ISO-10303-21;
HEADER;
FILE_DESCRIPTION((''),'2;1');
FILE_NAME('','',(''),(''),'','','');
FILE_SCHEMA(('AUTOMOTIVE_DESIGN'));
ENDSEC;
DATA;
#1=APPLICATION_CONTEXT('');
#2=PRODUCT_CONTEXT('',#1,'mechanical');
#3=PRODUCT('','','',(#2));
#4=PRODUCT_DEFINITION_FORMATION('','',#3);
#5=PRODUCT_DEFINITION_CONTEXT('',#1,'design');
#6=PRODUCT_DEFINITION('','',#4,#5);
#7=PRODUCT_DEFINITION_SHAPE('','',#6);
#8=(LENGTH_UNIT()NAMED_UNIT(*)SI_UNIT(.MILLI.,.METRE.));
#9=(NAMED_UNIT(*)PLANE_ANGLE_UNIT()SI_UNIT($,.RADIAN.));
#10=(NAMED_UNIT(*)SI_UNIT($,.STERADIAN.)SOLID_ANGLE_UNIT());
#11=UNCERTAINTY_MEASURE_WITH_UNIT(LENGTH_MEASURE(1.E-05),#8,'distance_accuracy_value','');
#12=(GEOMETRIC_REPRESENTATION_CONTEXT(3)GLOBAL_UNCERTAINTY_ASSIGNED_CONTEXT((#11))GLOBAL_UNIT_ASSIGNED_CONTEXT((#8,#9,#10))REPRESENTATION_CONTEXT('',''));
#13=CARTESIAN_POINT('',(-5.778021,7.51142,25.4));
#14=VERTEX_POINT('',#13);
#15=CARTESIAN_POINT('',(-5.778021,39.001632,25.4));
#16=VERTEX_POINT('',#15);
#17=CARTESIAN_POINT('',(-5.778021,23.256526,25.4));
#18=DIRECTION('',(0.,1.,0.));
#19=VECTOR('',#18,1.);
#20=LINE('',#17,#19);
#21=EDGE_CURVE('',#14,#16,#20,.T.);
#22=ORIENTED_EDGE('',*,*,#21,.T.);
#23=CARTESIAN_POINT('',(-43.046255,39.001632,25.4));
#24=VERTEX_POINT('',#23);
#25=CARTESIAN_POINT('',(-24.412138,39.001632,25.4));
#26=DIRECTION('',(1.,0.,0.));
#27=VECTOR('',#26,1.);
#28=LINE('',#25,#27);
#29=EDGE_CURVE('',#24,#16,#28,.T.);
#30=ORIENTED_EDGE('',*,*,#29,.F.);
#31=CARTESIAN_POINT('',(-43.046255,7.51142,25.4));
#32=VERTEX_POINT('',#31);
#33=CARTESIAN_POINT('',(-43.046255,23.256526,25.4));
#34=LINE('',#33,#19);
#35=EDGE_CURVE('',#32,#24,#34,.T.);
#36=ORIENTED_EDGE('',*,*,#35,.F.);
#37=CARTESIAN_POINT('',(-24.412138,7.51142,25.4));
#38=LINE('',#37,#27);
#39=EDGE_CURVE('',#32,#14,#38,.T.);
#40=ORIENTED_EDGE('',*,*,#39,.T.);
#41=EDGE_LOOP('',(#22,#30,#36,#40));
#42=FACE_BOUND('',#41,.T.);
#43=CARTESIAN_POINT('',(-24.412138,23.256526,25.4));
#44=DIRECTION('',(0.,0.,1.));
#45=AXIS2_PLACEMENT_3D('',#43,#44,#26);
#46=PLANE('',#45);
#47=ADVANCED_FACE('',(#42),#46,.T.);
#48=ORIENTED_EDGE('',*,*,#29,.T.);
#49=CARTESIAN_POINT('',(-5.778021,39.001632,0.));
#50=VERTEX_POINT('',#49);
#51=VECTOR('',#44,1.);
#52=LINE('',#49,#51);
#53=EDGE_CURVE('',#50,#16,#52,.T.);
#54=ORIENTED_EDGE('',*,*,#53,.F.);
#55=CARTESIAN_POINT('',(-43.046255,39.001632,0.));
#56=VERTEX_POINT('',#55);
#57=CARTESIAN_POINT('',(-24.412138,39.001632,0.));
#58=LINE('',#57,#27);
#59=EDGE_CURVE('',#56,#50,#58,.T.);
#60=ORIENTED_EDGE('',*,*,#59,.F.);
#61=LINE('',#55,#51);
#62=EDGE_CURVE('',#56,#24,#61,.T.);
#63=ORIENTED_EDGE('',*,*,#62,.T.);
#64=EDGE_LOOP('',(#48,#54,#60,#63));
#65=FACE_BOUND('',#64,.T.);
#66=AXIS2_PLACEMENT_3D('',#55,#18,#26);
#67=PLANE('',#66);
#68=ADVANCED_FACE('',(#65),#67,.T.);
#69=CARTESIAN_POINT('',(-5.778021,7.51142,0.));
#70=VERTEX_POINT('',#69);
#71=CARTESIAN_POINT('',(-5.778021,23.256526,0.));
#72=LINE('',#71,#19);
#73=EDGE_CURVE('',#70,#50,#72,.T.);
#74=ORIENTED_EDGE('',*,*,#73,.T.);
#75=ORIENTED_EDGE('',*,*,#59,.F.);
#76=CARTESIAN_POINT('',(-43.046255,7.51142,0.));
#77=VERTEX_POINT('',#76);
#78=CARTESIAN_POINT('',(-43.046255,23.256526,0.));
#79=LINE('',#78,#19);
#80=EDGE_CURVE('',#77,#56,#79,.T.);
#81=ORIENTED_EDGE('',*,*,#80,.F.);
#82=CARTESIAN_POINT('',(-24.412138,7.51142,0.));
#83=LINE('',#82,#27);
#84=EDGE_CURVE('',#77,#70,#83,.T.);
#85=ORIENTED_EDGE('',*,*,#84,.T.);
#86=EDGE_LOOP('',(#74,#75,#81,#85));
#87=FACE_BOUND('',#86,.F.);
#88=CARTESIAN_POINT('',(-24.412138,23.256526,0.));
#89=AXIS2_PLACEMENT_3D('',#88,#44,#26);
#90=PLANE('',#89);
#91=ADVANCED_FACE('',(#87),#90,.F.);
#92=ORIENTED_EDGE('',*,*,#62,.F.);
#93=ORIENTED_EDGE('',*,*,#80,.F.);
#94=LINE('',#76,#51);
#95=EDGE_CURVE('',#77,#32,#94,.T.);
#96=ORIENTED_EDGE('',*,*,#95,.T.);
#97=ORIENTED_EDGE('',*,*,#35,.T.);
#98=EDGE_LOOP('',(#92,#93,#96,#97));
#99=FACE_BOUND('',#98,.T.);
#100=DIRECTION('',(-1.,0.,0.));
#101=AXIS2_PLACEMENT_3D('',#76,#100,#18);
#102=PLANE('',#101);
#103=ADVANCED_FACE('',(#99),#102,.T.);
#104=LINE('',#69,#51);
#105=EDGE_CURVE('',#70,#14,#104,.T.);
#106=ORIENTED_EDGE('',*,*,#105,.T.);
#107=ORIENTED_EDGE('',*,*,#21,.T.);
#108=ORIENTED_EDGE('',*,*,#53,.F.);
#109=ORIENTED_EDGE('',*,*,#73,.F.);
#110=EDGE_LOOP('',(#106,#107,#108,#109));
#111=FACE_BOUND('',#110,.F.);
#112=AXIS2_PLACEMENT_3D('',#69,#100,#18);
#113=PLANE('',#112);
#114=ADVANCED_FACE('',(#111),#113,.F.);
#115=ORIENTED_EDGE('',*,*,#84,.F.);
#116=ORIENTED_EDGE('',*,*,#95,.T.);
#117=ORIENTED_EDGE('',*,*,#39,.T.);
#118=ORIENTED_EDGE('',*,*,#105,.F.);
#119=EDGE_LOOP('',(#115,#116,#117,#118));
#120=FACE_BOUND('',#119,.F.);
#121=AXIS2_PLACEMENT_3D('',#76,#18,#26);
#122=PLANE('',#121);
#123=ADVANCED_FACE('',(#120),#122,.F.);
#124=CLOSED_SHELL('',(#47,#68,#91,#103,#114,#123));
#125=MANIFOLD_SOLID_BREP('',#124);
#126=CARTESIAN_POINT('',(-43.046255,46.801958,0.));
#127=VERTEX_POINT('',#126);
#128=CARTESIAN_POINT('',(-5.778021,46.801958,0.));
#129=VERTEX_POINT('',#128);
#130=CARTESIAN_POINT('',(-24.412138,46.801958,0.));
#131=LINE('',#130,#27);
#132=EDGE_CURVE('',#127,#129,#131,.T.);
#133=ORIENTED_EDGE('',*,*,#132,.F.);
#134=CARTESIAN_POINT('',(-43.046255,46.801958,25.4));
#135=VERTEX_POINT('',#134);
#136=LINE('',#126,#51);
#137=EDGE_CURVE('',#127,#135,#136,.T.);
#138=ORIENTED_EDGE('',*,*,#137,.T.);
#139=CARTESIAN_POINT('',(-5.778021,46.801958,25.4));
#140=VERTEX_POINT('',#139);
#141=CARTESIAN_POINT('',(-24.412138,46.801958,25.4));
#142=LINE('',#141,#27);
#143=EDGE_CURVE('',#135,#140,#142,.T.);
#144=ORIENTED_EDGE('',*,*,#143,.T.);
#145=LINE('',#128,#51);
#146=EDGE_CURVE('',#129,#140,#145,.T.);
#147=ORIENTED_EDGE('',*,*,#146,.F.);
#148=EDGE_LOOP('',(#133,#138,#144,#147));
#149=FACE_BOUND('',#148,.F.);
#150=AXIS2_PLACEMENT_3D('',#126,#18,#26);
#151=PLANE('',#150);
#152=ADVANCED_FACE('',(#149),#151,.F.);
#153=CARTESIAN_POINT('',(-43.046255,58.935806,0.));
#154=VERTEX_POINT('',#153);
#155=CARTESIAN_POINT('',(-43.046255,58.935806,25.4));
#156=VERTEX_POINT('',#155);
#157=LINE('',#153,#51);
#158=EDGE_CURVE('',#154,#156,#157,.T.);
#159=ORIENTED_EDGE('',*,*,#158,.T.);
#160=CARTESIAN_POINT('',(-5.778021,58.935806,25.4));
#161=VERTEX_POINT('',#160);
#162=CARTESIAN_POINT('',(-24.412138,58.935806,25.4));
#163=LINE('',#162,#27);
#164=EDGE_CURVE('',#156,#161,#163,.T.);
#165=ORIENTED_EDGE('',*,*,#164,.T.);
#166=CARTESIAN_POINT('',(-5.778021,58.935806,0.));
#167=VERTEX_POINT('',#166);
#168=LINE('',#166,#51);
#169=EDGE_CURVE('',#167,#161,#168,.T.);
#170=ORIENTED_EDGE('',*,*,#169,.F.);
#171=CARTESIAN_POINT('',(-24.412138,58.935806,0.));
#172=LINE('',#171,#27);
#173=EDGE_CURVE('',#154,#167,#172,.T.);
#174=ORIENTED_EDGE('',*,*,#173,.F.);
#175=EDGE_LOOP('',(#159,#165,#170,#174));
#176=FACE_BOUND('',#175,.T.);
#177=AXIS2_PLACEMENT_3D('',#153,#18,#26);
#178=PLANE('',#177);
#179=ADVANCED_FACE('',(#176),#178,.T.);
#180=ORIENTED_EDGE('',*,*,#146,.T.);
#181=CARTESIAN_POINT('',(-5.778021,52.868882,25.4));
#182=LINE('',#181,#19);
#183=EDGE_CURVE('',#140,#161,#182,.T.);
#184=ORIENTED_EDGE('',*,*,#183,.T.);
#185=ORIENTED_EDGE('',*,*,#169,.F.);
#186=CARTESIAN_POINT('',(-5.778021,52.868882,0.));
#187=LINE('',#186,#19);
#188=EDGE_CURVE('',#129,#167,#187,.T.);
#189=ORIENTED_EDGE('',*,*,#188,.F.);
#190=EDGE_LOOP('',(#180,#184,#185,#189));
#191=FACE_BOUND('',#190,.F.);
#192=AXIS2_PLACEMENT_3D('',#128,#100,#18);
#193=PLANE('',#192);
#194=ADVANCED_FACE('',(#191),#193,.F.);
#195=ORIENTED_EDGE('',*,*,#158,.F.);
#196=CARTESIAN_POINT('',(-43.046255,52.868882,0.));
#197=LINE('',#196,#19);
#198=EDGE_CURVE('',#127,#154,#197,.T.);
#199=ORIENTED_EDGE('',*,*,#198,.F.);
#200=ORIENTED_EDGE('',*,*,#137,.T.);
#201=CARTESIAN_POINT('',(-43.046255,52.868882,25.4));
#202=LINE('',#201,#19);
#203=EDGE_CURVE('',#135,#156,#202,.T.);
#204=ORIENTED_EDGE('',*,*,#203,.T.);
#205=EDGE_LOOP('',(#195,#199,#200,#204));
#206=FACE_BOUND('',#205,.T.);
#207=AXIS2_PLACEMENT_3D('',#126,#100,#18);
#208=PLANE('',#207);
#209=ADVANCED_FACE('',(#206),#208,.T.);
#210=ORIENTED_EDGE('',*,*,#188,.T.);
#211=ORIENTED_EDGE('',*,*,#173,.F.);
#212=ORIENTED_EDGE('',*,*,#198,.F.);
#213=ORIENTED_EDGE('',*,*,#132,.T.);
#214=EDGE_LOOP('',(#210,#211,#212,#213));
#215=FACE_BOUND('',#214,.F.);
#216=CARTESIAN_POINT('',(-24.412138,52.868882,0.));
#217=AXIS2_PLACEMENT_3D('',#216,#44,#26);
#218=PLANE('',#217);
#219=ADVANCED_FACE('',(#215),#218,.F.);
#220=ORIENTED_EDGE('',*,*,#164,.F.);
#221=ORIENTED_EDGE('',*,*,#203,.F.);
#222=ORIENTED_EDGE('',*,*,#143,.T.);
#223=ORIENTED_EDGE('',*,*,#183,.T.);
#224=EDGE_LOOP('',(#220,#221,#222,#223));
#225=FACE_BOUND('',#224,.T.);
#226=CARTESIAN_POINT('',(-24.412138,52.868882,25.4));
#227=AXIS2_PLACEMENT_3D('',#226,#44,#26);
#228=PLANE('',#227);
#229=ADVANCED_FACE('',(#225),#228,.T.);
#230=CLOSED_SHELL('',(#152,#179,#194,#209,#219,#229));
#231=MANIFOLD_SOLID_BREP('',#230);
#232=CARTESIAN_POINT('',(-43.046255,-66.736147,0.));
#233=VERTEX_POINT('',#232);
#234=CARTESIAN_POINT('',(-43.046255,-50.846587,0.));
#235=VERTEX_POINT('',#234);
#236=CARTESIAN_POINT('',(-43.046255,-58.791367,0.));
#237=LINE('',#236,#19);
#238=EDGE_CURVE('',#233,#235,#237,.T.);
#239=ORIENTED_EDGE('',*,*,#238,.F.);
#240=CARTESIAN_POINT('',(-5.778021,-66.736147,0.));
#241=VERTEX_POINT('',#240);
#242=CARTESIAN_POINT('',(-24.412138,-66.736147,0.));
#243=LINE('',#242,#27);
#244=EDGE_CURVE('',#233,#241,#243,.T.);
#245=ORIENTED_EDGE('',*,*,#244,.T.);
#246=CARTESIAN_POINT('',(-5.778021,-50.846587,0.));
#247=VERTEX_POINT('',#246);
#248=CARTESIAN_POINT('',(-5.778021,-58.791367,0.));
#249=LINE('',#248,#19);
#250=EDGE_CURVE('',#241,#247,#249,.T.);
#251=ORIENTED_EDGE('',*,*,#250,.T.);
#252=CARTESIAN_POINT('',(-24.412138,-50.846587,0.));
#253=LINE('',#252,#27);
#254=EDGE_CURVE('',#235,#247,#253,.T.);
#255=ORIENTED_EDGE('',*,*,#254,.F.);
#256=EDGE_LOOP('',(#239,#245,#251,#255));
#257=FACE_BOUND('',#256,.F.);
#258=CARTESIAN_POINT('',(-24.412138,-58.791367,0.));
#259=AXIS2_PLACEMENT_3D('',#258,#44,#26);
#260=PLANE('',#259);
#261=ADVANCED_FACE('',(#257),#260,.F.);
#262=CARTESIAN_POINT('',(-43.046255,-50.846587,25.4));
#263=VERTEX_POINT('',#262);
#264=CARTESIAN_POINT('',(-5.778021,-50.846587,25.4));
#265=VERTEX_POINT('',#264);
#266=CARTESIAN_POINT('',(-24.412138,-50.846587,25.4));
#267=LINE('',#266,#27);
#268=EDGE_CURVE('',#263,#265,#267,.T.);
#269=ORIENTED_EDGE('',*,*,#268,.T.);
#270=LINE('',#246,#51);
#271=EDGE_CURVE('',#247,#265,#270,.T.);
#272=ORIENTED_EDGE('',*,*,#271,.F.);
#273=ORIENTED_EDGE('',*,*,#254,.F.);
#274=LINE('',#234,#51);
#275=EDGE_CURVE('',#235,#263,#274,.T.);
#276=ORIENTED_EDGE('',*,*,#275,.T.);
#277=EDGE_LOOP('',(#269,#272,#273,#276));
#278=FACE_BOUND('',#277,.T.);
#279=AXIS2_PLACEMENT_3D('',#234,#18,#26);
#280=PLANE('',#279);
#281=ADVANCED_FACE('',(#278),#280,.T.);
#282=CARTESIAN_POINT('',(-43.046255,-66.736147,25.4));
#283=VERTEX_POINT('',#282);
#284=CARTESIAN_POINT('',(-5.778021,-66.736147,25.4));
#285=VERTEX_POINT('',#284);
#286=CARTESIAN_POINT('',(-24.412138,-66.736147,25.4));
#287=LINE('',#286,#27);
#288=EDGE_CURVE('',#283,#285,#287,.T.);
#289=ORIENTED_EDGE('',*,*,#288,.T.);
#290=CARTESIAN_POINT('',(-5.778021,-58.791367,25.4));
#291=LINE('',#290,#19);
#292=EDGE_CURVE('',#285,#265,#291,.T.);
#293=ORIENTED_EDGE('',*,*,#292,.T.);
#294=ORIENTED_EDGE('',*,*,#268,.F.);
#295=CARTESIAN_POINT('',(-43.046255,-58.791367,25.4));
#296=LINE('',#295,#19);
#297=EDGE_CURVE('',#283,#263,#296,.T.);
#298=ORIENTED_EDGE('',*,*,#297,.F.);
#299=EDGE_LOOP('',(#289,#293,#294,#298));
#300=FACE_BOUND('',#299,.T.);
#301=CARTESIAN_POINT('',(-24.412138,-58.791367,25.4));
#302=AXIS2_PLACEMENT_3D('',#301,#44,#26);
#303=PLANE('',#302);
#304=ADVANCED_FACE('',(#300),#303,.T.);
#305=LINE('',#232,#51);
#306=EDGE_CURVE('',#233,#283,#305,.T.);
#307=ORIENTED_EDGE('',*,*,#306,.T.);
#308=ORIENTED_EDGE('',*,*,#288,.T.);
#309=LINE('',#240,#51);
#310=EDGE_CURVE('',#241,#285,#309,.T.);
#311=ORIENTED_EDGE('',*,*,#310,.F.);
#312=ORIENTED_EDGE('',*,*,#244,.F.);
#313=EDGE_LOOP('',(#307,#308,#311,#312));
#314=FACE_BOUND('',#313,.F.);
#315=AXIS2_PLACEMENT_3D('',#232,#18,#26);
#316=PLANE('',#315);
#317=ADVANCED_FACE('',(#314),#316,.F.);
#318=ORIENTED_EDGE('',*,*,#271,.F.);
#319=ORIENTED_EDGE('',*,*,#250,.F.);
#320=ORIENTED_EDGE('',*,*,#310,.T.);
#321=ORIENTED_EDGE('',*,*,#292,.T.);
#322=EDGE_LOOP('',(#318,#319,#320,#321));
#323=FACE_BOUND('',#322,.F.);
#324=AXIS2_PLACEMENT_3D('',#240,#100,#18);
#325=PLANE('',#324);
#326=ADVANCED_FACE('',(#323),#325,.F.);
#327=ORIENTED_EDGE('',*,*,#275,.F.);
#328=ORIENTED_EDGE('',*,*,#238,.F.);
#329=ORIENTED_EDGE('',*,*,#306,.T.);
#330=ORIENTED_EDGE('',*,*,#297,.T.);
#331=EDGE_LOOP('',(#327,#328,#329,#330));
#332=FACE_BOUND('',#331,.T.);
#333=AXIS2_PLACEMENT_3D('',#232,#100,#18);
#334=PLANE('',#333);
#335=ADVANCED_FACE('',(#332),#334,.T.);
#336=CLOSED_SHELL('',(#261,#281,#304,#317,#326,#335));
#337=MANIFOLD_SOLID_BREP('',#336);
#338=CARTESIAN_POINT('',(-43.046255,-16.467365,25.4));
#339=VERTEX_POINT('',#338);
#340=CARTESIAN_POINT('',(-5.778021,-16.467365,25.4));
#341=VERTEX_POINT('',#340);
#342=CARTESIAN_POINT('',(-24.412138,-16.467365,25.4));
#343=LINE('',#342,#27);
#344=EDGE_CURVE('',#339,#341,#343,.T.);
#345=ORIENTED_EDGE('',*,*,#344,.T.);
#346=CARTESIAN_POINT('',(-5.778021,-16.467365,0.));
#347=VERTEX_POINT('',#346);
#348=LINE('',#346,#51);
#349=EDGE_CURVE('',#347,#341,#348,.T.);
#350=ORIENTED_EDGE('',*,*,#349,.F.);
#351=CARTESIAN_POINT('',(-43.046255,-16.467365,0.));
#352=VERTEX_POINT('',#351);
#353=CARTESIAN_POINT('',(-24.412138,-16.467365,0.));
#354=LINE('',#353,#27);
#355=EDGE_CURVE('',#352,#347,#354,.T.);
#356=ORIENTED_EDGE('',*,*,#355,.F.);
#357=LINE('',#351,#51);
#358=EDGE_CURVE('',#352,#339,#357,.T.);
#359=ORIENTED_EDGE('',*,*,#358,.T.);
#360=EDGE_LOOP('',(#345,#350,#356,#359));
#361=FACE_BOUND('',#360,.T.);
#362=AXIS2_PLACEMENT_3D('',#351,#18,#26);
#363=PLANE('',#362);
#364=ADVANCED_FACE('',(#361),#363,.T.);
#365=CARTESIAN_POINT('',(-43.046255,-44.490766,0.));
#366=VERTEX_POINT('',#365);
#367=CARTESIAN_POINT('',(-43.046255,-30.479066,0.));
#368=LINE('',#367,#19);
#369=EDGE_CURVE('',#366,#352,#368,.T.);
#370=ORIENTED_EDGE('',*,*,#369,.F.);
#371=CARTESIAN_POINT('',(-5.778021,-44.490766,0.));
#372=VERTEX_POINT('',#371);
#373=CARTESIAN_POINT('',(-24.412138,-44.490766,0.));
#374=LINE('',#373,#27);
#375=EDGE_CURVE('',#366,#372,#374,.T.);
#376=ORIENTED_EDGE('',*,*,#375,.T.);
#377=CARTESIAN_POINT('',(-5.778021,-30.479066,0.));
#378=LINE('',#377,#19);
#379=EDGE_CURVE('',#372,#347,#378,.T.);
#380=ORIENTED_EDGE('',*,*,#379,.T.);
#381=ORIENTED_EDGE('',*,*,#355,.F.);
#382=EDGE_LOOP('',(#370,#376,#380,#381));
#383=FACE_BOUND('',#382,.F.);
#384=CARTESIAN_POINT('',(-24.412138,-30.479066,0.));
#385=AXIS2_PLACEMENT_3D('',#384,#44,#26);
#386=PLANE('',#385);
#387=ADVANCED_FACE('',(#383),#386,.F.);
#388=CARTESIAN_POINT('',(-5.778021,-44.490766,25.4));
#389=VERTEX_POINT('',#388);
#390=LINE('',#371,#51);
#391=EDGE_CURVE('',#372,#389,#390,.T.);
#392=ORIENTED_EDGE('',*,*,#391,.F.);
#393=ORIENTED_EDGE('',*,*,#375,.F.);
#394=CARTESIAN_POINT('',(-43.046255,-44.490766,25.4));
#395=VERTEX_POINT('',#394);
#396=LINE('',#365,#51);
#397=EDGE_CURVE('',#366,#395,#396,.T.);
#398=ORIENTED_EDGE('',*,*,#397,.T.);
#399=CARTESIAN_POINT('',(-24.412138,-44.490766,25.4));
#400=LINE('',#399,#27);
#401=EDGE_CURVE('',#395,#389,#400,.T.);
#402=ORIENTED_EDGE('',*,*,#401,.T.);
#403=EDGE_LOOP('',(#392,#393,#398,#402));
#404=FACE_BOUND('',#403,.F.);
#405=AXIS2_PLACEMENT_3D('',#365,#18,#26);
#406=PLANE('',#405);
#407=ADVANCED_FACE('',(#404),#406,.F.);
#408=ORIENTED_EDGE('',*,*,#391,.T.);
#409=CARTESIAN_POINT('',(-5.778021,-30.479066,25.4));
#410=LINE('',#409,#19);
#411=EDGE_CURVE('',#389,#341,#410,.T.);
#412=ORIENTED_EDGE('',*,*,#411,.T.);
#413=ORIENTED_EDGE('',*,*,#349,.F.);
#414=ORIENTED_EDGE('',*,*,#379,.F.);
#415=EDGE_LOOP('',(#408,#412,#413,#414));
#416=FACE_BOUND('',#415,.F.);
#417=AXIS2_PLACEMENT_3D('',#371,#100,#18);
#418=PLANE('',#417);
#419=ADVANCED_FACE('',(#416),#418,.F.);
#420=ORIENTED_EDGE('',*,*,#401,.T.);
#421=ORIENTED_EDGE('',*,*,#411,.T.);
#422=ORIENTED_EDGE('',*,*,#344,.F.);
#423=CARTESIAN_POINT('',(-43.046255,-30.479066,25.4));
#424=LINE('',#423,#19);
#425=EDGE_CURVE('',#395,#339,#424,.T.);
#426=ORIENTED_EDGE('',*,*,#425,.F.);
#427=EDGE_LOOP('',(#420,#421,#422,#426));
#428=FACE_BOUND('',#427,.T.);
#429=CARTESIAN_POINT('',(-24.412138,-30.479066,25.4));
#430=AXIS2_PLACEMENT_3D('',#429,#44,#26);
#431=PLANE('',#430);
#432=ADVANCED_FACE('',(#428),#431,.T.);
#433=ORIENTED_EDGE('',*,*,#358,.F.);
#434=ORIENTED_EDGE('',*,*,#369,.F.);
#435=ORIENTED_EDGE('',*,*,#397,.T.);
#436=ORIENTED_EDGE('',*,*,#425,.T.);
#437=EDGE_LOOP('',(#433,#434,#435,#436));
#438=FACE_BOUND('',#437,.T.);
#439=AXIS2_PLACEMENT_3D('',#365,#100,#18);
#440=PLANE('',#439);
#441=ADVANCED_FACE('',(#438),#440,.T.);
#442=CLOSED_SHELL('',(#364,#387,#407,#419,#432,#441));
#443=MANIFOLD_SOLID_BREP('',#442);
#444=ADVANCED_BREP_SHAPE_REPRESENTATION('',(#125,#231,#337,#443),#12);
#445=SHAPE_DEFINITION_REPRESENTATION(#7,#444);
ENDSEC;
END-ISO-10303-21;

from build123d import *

# Parameters (mm, degrees)
F0_W     = 37.268234
F0_H     = 12.133848
F0_H_2   = 15.889559
F0_H_3   = 31.490211
F0_H_4   = 28.023401
F1_DEPTH = 25.4


with BuildPart() as f1:
    # F0 (on Top) → F1 (new body)
    with BuildSketch(Plane.XY):
        with Locations((-24.412138, 52.868882)):
            Rectangle(F0_W, F0_H)
        with Locations((-24.412138, -58.791367)):
            Rectangle(F0_W, F0_H_2)
        with Locations((-24.412138, 23.256526)):
            Rectangle(F0_W, F0_H_3)
        with Locations((-24.412138, -30.479066)):
            Rectangle(F0_W, F0_H_4)
    extrude(amount=F1_DEPTH)


solid = f1.part
